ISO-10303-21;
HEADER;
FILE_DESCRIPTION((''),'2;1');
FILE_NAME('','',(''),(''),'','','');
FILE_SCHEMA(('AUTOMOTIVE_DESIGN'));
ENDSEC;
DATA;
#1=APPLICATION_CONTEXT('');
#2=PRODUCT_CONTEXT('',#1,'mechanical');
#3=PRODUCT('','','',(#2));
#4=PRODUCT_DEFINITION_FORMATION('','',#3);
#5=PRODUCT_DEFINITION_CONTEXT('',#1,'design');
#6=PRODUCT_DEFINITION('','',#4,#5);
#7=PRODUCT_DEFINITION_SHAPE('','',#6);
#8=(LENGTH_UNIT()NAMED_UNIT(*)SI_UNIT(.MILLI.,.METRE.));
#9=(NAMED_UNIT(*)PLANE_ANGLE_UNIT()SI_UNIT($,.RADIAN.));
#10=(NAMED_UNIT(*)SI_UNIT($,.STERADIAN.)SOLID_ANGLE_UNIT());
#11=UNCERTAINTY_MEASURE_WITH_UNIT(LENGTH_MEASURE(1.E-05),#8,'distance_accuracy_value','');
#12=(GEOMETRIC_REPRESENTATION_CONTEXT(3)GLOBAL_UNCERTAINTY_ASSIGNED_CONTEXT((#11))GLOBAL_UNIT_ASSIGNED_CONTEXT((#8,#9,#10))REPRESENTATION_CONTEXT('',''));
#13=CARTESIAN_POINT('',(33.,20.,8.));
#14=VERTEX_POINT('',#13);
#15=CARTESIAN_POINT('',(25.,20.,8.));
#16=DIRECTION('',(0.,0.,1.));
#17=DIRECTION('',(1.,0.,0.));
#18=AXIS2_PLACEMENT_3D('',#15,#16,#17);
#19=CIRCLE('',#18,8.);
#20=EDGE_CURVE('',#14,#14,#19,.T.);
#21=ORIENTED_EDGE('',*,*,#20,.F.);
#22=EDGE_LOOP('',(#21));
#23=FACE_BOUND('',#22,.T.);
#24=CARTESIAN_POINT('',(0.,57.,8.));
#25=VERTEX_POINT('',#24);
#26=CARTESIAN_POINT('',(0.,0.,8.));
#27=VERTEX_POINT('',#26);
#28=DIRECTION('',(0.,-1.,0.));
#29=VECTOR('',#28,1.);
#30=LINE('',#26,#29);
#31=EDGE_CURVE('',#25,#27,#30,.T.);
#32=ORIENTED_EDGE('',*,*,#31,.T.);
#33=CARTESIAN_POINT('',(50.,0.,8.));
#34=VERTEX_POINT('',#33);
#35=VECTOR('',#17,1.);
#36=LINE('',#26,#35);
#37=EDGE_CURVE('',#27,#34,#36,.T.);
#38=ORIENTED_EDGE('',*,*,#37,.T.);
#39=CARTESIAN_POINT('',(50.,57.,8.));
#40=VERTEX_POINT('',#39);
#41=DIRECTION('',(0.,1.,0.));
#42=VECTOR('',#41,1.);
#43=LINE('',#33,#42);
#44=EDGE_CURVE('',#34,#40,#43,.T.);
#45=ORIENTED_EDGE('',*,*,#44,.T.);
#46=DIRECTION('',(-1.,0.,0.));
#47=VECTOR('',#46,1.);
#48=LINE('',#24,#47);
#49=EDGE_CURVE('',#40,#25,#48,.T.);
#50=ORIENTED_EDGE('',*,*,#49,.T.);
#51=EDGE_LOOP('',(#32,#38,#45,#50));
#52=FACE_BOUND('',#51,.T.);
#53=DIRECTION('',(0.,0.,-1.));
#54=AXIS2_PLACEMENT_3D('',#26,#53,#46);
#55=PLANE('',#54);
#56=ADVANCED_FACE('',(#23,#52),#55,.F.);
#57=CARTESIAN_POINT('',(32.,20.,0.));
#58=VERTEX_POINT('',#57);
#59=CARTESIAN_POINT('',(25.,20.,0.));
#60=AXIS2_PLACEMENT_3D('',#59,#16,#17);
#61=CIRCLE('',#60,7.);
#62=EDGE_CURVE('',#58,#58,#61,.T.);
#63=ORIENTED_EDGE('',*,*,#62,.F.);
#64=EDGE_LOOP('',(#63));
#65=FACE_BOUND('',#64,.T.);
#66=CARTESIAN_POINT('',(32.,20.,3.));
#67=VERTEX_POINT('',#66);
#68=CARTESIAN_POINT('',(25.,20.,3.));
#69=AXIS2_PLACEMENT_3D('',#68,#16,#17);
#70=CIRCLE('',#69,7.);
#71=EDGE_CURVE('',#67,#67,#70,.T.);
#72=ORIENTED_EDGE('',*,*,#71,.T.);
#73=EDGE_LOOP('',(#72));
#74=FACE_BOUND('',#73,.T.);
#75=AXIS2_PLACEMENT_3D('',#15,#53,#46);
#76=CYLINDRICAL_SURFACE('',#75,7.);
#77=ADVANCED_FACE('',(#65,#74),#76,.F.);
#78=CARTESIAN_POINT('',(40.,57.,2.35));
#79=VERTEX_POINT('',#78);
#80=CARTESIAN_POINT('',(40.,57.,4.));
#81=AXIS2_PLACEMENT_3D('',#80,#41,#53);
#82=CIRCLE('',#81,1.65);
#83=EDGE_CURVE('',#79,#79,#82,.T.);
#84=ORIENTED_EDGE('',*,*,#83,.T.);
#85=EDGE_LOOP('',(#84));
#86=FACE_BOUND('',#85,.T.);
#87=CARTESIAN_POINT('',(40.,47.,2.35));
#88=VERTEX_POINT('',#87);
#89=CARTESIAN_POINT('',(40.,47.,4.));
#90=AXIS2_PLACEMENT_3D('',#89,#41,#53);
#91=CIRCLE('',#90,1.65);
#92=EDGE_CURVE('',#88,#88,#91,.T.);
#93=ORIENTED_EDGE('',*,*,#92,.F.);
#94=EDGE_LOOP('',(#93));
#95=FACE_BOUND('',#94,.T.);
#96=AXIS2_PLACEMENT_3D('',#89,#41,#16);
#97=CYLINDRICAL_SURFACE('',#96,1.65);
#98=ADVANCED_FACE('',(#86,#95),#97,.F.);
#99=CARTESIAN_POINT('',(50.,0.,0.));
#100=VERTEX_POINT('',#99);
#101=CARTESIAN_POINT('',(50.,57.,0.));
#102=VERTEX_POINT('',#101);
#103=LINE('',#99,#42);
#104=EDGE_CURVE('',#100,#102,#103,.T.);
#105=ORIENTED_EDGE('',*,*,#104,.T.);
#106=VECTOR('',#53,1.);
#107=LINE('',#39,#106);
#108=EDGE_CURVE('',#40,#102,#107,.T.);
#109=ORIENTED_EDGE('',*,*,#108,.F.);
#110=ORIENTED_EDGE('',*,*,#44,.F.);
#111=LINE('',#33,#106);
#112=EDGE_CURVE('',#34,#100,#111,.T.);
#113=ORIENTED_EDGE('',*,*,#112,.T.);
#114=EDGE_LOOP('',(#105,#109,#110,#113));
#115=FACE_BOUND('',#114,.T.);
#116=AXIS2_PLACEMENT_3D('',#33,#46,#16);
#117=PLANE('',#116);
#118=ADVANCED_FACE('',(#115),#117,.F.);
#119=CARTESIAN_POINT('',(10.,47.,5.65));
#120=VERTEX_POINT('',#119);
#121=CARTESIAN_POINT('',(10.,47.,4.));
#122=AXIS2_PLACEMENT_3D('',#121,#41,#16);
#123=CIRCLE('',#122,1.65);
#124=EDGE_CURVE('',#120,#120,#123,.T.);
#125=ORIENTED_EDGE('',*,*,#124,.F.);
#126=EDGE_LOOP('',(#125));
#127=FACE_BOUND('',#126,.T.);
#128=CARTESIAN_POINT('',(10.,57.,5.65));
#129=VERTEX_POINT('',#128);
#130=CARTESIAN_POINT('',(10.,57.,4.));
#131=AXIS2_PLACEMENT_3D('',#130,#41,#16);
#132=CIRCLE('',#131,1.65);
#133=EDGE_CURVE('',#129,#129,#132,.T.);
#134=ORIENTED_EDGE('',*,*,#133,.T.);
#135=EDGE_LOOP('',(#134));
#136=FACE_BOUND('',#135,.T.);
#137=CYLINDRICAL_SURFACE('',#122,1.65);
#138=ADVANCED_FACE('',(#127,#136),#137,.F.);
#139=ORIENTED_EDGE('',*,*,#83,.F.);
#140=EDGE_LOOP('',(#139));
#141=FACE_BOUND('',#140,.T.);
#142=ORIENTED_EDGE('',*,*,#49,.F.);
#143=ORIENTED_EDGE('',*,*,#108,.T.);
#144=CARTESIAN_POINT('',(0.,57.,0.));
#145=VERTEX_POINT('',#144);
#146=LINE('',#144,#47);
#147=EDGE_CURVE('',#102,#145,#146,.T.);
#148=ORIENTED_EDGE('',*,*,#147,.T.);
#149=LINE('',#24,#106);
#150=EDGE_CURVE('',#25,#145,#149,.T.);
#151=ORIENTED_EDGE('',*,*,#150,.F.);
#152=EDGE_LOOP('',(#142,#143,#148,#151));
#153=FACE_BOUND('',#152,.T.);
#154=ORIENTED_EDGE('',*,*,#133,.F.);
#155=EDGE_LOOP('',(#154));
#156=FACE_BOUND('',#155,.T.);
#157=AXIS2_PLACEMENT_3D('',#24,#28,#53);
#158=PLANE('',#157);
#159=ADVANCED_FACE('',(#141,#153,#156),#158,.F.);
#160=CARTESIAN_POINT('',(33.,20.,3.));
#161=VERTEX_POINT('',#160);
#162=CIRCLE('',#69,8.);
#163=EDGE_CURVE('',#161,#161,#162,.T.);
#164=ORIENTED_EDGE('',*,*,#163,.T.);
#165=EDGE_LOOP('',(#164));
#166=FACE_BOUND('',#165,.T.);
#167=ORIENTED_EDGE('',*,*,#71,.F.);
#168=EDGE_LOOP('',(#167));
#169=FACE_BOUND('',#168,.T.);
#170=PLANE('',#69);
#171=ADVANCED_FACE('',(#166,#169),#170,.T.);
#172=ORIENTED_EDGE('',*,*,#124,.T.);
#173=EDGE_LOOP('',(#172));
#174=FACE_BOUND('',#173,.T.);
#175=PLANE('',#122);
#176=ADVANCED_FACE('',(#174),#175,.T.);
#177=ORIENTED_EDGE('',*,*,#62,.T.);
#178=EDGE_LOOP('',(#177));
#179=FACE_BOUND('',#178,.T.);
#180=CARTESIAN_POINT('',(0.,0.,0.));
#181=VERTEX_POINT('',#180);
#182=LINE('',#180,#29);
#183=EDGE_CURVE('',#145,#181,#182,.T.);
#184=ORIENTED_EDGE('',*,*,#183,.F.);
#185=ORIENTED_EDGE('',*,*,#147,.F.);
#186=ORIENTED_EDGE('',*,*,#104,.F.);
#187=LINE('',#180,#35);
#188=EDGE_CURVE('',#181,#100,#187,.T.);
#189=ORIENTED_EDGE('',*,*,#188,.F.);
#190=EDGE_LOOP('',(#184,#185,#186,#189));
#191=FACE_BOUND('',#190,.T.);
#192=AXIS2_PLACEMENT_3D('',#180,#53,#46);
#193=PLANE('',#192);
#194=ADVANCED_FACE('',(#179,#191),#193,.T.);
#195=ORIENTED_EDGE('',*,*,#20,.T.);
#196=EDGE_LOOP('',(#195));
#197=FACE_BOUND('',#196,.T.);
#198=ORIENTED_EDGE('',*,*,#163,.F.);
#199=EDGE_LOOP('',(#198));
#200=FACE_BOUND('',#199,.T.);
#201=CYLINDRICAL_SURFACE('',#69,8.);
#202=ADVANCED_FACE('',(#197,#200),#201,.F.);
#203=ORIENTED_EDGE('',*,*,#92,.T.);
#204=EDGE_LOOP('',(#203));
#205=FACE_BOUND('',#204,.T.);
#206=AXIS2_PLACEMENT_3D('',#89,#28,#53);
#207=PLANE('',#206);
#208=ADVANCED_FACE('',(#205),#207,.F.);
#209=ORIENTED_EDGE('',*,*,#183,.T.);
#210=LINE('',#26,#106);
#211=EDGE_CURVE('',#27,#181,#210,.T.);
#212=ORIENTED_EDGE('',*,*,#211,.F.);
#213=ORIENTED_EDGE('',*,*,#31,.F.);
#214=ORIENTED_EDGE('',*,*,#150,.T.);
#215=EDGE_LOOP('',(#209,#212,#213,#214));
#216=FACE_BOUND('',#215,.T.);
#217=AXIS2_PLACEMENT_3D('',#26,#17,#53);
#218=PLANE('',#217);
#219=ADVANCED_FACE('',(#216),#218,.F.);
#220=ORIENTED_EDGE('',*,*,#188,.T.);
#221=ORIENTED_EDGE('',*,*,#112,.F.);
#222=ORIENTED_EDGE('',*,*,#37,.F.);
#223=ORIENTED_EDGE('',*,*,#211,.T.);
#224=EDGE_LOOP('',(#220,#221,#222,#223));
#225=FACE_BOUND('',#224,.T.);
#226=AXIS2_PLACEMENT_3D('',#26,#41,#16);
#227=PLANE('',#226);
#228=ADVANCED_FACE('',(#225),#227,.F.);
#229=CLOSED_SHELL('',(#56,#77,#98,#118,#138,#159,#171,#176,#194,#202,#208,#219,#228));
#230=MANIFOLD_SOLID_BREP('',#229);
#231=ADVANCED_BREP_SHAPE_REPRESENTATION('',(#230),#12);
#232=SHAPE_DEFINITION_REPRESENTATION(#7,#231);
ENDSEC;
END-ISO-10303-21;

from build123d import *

# Parameters (mm, degrees)
ESQUISSE1_W             = 50
ESQUISSE1_H             = 57
ESQUISSE1_R             = 7
BOSS_EXTRU_1_DEPTH      = 8
ESQUISSE2_R             = 8
ENL_V_MAT_EXTRU_1_DEPTH = 5
ESQUISSE3_R             = 1.65
ENL_V_MAT_EXTRU_2_DEPTH = 10


with BuildPart() as part:
    # Esquisse1 → Boss.-Extru.1 (new body)
    with BuildSketch(Plane.XY):
        with Locations((25, 28.5)):
            Rectangle(ESQUISSE1_W, ESQUISSE1_H)
        with Locations((25, 20)):
            Circle(ESQUISSE1_R, mode=Mode.SUBTRACT)
    extrude(amount=BOSS_EXTRU_1_DEPTH)

    # Esquisse2 → Enlèv. mat.-Extru.1 (cut)
    with BuildSketch(Plane.XY.offset(8)):
        with Locations((25, 20)):
            Circle(ESQUISSE2_R)
    extrude(amount=-ENL_V_MAT_EXTRU_1_DEPTH, mode=Mode.SUBTRACT)

    # Esquisse3 → Enlèv. mat.-Extru.2 (cut)
    with BuildSketch(Plane(origin=(0, 57, 0), x_dir=(1, 0, 0), z_dir=(0, 1, 0))):
        with Locations((10, -4)):
            Circle(ESQUISSE3_R)
        with Locations((40, -4)):
            Circle(ESQUISSE3_R)
    extrude(amount=-ENL_V_MAT_EXTRU_2_DEPTH, mode=Mode.SUBTRACT)


solid = part.part
